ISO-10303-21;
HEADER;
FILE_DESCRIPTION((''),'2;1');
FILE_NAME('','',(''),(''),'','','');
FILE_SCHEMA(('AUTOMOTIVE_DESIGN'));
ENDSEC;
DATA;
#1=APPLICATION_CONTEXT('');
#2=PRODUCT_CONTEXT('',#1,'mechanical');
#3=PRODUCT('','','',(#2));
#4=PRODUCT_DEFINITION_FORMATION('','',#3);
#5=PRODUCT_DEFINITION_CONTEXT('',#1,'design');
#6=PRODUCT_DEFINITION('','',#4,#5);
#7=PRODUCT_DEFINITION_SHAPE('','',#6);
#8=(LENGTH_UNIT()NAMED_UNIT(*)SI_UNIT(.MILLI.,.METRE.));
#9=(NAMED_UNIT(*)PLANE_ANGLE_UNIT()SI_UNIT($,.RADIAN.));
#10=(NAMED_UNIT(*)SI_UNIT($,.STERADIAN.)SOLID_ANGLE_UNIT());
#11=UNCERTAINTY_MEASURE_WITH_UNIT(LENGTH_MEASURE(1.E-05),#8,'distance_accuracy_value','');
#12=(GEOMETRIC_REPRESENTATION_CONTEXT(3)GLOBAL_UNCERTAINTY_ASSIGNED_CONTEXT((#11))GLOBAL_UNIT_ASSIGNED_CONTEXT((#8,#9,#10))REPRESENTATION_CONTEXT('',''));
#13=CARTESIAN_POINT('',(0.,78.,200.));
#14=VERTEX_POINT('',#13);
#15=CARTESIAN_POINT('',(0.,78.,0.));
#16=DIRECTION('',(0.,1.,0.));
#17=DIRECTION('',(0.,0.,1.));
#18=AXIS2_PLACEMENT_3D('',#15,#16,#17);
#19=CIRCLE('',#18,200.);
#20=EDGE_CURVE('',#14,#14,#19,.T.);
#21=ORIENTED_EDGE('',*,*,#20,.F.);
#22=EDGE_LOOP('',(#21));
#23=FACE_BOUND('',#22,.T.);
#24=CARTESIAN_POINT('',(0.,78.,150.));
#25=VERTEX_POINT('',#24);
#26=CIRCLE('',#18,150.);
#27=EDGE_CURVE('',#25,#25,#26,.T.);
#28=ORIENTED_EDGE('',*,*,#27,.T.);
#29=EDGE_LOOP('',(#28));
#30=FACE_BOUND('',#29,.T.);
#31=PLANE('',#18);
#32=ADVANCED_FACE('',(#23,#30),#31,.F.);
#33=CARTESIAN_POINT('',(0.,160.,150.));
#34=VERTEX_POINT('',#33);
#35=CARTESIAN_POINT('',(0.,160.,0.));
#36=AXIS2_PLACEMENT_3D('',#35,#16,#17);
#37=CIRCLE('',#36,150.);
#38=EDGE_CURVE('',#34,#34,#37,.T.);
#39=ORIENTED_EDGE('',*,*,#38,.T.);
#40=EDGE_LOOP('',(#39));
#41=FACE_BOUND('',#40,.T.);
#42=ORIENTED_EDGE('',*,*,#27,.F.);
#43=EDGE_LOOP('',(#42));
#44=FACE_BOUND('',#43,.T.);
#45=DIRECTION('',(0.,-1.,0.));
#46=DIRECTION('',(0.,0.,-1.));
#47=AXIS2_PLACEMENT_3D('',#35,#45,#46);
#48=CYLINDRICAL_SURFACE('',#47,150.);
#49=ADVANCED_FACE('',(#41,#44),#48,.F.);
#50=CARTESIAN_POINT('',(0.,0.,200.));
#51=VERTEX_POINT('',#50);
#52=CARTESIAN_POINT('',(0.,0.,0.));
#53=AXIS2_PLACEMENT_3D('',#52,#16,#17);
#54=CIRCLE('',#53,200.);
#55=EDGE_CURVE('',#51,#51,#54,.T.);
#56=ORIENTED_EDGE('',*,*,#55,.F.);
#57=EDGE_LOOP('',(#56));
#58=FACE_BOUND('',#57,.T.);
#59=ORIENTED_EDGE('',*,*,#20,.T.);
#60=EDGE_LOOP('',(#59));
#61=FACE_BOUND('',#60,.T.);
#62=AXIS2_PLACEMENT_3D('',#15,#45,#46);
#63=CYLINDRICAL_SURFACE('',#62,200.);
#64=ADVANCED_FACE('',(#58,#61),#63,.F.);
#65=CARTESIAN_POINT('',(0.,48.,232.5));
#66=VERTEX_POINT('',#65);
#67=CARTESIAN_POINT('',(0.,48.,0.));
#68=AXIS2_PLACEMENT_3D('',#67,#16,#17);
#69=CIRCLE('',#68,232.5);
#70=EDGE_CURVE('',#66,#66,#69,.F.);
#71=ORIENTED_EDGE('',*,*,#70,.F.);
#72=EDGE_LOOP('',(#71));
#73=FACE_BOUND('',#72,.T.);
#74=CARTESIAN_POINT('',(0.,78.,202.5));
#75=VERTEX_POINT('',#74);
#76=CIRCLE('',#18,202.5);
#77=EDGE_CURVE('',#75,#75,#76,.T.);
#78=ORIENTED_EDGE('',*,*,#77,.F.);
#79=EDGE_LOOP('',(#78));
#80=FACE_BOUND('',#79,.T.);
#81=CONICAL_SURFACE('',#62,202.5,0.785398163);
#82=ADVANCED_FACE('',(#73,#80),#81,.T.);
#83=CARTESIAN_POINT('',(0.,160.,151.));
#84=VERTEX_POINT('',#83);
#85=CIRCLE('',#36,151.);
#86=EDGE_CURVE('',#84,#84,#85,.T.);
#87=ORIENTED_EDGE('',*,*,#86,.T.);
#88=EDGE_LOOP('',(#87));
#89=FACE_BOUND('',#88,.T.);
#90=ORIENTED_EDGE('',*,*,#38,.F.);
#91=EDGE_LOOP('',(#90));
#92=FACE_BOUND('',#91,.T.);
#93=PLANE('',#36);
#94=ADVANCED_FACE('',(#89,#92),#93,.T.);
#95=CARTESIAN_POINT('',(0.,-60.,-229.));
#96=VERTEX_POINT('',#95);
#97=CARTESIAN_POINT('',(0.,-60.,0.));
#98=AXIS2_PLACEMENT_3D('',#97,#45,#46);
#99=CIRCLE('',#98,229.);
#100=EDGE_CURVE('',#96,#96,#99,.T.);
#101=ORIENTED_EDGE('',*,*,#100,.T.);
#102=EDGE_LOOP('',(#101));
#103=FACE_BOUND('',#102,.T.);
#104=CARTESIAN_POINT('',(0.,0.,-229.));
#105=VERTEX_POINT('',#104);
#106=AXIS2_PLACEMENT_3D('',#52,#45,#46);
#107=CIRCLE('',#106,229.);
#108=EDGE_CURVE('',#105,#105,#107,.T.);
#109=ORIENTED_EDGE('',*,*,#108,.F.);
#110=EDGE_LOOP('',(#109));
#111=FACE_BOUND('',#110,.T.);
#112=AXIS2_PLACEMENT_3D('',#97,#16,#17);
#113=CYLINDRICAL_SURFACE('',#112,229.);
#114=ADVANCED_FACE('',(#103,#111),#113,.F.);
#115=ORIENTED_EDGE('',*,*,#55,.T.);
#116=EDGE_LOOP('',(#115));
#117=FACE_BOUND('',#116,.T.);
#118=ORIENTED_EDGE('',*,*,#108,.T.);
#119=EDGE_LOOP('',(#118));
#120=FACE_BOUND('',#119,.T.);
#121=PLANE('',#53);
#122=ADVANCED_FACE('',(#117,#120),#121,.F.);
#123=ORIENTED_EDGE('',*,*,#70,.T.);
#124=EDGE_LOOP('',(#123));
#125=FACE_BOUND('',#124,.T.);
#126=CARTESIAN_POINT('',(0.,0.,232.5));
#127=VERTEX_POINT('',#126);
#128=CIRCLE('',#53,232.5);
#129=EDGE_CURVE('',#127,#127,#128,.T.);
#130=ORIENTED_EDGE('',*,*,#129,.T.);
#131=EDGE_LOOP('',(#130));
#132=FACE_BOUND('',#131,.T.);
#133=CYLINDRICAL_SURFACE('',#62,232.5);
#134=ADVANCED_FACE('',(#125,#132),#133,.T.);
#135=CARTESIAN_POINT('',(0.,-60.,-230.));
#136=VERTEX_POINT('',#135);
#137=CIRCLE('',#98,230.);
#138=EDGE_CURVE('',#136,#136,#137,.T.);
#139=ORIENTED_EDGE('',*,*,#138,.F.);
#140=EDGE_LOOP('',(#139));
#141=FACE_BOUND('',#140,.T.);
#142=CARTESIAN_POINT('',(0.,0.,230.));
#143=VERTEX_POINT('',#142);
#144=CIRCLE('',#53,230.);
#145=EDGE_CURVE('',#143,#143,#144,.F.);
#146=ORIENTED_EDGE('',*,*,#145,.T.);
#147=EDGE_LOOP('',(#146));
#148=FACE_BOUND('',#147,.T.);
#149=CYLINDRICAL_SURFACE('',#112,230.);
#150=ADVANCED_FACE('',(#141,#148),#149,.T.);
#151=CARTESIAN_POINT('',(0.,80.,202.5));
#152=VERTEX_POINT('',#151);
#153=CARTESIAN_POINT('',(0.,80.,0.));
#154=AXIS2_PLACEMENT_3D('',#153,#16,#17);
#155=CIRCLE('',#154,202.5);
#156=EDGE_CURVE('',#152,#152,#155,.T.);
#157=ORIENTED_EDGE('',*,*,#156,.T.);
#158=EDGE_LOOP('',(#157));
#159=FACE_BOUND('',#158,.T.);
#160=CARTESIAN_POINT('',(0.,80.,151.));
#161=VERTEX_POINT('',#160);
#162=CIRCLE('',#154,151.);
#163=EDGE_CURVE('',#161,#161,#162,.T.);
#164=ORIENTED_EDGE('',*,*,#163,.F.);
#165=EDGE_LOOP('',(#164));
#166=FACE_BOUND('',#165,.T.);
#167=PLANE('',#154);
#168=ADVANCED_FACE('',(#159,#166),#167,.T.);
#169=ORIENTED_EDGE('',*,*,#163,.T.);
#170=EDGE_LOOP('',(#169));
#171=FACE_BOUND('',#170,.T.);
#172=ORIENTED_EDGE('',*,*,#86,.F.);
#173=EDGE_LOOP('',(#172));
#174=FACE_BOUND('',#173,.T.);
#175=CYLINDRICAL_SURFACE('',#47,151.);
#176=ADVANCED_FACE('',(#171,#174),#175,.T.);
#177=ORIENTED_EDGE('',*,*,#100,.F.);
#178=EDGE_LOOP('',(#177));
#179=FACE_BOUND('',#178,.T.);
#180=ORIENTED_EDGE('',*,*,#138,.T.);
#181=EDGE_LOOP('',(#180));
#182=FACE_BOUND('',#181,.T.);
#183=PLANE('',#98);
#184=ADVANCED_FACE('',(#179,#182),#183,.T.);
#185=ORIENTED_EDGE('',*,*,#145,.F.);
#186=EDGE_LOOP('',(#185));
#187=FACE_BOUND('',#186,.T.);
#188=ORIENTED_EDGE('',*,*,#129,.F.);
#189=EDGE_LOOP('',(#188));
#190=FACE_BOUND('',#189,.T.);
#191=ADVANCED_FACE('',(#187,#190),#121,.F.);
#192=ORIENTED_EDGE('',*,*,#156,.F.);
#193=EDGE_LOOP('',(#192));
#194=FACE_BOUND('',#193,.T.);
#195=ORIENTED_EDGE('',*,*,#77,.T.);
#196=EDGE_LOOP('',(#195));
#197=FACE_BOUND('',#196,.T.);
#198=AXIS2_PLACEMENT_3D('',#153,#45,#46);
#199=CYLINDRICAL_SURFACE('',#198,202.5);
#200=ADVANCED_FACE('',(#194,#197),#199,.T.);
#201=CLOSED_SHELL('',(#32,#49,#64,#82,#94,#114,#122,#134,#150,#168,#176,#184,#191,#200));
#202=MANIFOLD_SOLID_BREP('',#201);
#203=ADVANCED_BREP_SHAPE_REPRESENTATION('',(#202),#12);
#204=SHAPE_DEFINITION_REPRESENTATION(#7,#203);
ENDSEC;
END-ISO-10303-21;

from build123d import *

# Parameters (mm, degrees)
SKETCH_1_R        = 232.5
SKETCH_1_R_2      = 200
EXTRUDE_1_DEPTH   = 78
SKETCH_2_R        = 151
SKETCH_2_R_2      = 150
EXTRUDE_2_DEPTH   = 82
CHAMFER_1_SIZE    = 30
SKETCH_4_R        = 202.5
SKETCH_4_R_2      = 150
EXTRUDE_1_2_DEPTH = 2
SKETCH_5_R        = 230
SKETCH_5_R_2      = 229
EXTRUDE_2_2_DEPTH = 60


with BuildPart() as part:
    # Эскиз1 → Extrude 1 (new body)
    with BuildSketch(Plane(origin=(0, 0, 0), x_dir=(1, 0, 0), z_dir=(0, 1, 0))):
        with Locations(Location((0, 0, 0), (0, 0, 270))):
            Circle(SKETCH_1_R)
        with Locations(Location((0, 0, 0), (0, 0, 270))):
            Circle(SKETCH_1_R_2, mode=Mode.SUBTRACT)
    extrude(amount=EXTRUDE_1_DEPTH)

    # Фаска1
    chamfer_1_edges = [part.edges().sort_by_distance(p)[0] for p in [
        (0, 78, -232.5),
    ]]
    chamfer(chamfer_1_edges, length=CHAMFER_1_SIZE)



with BuildPart() as body_2:
    # Эскиз2 → Extrude 2 (new body)
    with BuildSketch(Plane(origin=(0, 78, 0), x_dir=(1, 0, 0), z_dir=(0, 1, 0))):
        with Locations(Location((0, 0, 0), (0, 0, 270))):
            Circle(SKETCH_2_R)
        with Locations(Location((0, 0, 0), (0, 0, 270))):
            Circle(SKETCH_2_R_2, mode=Mode.SUBTRACT)
    extrude(amount=EXTRUDE_2_DEPTH)


with BuildPart() as part_1:
    add(part.part)

    add(body_2.part)  # Extrude 1 2 merges body 2
    # Эскиз4 → Extrude 1 2 (add)
    with BuildSketch(Plane(origin=(0, 78, 0), x_dir=(1, 0, 0), z_dir=(0, 1, 0))):
        with Locations(Location((0, 0, 0), (0, 0, 270))):
            Circle(SKETCH_4_R)
        with Locations(Location((0, 0, 0), (0, 0, 270))):
            Circle(SKETCH_4_R_2, mode=Mode.SUBTRACT)
    extrude(amount=EXTRUDE_1_2_DEPTH)

    # Эскиз5 → Extrude 2 2 (add)
    with BuildSketch(Plane.XZ):
        with Locations(Location((0, 0, 0), (0, 0, 90))):
            Circle(SKETCH_5_R)
        with Locations(Location((0, 0, 0), (0, 0, 270))):
            Circle(SKETCH_5_R_2, mode=Mode.SUBTRACT)
    extrude(amount=EXTRUDE_2_2_DEPTH)


solid = part_1.part
